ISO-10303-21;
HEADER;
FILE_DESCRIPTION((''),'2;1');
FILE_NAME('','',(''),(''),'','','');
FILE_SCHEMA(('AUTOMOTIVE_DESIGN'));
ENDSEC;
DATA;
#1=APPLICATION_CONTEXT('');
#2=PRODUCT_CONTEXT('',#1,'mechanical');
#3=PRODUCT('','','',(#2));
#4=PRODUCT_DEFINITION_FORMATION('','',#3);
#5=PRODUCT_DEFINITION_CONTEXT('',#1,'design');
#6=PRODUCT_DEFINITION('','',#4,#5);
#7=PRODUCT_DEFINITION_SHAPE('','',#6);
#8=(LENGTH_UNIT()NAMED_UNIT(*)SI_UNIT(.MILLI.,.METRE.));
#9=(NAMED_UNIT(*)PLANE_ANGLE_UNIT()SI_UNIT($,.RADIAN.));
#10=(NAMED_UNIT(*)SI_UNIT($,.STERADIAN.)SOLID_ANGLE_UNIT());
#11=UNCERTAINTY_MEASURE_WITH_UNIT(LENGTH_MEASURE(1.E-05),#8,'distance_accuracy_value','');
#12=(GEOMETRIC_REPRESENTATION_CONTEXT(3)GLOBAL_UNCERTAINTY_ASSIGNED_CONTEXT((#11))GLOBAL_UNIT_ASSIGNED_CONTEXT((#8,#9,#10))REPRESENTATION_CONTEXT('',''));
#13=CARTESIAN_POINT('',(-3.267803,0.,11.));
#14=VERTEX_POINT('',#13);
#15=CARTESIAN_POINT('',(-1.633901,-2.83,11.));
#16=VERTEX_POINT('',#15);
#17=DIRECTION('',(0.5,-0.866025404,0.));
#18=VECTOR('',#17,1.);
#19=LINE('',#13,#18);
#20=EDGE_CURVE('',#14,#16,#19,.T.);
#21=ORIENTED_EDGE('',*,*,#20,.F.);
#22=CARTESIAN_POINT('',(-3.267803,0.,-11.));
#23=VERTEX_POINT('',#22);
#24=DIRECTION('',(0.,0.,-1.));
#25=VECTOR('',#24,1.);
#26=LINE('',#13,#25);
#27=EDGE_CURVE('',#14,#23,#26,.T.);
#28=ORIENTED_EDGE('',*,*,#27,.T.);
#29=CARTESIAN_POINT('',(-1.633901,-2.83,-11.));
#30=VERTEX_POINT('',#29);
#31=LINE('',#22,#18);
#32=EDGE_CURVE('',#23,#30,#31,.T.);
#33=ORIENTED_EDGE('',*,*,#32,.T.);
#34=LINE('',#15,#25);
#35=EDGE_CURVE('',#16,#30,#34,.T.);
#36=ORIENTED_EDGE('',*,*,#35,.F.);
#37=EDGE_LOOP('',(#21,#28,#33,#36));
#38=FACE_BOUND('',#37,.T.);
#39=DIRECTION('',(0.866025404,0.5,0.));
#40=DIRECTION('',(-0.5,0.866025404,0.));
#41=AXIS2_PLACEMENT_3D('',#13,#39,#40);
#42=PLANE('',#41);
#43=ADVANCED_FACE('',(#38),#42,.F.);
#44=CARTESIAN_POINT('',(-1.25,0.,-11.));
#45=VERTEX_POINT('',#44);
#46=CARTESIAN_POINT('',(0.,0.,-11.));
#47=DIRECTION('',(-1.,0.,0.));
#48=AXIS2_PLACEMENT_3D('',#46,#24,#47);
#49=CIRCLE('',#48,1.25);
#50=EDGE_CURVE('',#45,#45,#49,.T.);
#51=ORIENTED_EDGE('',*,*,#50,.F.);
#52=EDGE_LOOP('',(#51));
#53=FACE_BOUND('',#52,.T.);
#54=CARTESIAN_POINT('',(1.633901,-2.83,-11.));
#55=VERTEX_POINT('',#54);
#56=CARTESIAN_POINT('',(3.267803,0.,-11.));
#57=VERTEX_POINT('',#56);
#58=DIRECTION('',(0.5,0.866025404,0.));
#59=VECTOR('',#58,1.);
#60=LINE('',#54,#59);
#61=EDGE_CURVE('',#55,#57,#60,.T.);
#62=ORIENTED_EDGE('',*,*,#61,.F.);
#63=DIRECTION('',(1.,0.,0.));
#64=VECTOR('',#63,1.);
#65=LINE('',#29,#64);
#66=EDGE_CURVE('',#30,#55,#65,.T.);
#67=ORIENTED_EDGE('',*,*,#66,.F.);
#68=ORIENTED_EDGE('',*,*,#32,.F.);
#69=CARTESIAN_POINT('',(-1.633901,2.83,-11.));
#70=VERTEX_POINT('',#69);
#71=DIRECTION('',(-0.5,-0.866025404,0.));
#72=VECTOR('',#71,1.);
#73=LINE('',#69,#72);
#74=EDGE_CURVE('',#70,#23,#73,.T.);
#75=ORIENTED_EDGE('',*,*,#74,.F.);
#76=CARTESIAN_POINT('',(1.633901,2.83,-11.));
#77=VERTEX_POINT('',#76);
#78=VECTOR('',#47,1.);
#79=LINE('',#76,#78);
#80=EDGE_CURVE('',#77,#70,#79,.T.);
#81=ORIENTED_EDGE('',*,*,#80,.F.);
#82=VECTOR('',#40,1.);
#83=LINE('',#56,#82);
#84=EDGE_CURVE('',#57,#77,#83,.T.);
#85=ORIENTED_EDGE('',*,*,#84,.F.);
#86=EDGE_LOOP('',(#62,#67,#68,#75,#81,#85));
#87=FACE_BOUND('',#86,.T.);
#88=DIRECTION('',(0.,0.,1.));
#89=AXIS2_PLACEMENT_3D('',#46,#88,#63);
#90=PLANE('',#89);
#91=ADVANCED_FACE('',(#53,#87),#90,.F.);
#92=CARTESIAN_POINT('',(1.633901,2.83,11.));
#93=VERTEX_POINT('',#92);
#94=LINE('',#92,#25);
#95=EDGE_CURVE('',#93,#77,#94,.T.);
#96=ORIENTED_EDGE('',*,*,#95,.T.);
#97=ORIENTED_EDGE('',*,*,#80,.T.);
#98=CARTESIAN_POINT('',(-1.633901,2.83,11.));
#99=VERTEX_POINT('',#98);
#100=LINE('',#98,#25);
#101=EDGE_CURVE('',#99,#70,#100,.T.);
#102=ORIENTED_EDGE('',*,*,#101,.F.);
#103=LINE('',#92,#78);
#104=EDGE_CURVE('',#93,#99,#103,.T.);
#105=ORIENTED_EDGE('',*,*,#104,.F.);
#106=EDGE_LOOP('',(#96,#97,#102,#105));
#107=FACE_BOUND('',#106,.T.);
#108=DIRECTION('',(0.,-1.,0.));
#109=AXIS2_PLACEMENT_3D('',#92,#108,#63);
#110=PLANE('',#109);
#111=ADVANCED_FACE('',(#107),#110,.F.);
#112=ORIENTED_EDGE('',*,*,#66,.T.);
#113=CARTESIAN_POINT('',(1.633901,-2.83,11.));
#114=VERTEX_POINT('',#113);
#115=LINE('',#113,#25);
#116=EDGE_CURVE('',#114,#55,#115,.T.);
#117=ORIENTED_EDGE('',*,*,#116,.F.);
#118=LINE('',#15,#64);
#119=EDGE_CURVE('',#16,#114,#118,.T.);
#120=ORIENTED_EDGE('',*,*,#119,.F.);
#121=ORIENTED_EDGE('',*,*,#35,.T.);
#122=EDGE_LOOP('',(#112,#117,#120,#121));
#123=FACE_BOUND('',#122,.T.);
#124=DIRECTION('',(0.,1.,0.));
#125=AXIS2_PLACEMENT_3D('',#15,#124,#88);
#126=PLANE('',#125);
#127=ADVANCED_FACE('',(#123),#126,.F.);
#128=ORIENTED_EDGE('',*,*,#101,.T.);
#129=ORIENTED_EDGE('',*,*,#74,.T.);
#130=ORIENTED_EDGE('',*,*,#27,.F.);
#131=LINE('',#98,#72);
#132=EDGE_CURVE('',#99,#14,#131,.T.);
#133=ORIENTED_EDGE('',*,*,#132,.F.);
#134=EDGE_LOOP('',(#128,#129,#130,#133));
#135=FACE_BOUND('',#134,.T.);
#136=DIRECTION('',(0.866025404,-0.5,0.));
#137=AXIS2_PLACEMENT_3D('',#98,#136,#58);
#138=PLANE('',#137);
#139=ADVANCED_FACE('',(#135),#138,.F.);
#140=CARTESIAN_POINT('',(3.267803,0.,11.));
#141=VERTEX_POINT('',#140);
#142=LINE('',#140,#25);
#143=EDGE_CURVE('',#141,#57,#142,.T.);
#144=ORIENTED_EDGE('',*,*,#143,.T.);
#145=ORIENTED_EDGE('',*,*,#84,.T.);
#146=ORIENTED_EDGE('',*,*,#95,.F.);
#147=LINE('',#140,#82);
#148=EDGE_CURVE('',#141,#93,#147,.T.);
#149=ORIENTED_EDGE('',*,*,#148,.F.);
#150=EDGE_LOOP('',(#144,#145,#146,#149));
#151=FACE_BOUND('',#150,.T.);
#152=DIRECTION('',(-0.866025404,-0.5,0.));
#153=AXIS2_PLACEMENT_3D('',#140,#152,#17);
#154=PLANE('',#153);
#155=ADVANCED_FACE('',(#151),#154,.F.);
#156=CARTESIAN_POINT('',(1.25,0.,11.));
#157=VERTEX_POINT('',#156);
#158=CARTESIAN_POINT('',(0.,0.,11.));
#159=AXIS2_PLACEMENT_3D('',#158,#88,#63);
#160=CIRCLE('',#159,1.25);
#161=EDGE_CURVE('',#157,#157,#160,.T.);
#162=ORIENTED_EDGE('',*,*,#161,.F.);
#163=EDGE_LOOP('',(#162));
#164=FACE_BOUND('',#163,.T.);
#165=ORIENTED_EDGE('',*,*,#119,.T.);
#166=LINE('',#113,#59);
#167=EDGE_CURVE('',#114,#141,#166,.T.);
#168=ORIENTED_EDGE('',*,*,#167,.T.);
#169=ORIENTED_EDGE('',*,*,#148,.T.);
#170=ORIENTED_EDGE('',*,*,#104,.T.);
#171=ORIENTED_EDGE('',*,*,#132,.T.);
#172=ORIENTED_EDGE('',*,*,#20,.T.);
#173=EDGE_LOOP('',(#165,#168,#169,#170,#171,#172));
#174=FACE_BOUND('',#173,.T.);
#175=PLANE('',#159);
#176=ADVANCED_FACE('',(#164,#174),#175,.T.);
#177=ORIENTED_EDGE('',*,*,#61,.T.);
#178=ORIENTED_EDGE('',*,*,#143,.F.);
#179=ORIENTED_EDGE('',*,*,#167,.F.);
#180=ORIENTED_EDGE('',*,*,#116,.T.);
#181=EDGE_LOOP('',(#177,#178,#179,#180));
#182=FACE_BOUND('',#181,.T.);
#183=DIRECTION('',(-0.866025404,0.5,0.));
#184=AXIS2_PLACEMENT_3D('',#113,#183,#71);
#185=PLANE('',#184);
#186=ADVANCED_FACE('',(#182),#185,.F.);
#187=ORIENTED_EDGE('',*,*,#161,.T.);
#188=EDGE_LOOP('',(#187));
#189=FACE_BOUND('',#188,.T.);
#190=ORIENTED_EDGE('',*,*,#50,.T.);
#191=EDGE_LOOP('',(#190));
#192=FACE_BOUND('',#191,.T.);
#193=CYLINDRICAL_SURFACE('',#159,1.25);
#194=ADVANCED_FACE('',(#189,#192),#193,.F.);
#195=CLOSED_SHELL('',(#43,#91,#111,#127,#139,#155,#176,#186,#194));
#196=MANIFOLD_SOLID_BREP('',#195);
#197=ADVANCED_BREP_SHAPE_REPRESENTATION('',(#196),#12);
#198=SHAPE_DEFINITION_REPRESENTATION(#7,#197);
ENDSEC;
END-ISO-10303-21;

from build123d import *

# Parameters (mm, degrees)
EXTRUDE_329_DEPTH = 11


with BuildPart() as part:
    # 草图1 → Extrude 329 (new, symmetric)
    with BuildSketch(Plane.XY):
        Polygon((1.633901262, 2.83), (-1.633901262, 2.83), (-3.267802524, 0), (-1.633901262, -2.83), (1.633901262, -2.83), (3.267802524, 0), align=None)
    extrude(amount=EXTRUDE_329_DEPTH, both=True)

    # 草图3 → 螺纹孔1 (revolve, cut)
    with BuildSketch(Plane(origin=(0, 0, 11), x_dir=(0, -1, 0), z_dir=(1, 0, 0))):
        Polygon((0, 0), (0, 13.951075774), (1.25, 13.2), (1.25, 0), align=None)
    hole_wizard_1 = revolve(axis=Axis((0, 0, 17.35), (0, 0, -1)), mode=Mode.SUBTRACT)

    # 镜向1: 螺纹孔1 across plane
    add(hole_wizard_1.mirror(Plane.XY), mode=Mode.SUBTRACT)


solid = part.part
